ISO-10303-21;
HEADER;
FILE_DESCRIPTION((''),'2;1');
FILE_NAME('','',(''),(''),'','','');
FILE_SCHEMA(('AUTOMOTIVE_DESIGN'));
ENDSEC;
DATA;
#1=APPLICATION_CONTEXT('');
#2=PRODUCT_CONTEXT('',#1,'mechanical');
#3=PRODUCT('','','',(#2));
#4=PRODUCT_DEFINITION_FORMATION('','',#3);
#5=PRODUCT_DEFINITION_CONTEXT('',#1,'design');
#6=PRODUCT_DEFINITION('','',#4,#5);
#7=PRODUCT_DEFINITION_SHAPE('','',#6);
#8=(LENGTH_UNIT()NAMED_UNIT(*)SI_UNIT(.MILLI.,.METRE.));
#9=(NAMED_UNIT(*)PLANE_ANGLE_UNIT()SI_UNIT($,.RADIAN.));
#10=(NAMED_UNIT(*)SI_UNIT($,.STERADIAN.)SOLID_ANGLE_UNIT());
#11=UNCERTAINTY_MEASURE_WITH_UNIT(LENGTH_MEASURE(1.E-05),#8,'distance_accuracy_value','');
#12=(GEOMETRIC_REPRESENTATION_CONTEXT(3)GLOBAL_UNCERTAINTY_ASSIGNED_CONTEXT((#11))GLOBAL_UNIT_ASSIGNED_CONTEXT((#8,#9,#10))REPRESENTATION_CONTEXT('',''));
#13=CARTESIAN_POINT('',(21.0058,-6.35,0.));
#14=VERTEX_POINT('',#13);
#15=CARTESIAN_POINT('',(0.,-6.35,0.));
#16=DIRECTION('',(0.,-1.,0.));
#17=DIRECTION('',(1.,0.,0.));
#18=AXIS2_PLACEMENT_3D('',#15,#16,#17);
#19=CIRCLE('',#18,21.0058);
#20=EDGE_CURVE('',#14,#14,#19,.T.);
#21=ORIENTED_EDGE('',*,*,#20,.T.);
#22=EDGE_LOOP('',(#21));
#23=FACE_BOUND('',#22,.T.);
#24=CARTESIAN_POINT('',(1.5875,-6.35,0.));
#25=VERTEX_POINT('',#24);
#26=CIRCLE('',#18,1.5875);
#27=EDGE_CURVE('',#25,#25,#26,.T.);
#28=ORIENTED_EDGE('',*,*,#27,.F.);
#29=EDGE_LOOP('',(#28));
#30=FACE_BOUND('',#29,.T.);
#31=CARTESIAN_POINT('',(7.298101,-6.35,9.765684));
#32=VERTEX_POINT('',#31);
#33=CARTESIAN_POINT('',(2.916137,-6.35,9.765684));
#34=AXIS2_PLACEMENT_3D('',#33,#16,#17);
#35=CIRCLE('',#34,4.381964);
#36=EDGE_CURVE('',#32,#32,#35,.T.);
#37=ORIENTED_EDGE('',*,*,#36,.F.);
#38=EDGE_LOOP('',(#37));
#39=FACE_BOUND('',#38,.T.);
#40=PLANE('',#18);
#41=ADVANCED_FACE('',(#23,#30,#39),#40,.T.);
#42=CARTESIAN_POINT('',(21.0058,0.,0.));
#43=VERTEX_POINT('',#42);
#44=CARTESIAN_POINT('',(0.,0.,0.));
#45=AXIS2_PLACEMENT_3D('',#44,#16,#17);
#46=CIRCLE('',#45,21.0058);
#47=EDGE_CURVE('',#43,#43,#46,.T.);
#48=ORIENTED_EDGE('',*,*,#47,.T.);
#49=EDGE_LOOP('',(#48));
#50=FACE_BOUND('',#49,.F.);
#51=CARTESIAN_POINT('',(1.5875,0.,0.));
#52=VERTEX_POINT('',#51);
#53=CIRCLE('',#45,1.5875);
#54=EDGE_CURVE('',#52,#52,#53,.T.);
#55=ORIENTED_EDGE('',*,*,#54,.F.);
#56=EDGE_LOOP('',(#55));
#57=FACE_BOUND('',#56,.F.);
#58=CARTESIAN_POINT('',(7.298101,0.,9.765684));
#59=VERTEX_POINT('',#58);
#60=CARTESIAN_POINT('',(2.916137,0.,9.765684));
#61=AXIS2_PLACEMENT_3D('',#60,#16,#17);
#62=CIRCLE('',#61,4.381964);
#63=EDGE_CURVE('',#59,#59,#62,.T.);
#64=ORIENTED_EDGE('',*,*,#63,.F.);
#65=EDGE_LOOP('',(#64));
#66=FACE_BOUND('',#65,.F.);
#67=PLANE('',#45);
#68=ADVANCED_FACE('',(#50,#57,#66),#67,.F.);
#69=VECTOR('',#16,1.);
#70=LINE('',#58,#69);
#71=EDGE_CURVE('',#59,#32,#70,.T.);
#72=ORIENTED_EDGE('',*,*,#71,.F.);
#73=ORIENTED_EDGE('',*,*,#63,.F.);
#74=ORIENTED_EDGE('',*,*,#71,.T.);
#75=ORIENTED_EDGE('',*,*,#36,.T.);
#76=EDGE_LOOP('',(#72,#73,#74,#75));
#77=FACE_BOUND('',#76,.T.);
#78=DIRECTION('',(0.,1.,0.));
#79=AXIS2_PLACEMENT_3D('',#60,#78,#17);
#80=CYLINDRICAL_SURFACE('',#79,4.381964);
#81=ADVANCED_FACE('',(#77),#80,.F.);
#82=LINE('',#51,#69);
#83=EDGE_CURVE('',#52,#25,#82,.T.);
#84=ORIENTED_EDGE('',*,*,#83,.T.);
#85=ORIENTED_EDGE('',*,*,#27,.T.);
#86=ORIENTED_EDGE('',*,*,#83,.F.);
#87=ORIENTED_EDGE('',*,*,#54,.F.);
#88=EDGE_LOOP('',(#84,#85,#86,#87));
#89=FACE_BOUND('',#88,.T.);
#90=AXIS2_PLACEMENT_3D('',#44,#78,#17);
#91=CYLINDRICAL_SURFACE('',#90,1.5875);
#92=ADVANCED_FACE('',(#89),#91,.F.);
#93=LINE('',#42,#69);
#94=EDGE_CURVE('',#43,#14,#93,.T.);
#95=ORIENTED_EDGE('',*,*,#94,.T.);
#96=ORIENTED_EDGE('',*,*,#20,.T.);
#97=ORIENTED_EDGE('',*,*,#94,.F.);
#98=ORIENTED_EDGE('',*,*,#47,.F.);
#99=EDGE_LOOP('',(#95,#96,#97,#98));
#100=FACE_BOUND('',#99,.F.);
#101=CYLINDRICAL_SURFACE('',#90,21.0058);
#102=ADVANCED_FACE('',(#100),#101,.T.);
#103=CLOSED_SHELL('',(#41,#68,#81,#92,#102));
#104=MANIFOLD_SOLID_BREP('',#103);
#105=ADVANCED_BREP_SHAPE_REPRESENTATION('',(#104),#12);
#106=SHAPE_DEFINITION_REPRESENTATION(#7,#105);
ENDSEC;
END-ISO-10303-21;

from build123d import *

# Parameters (mm, degrees)
F0_R     = 21.0058
F0_R_2   = 1.5875
F0_R_3   = 4.381964
F1_DEPTH = 6.35


with BuildPart() as f1:
    # F0 (on Front) → F1 (new body)
    with BuildSketch(Plane.XZ):
        Circle(F0_R)
        Circle(F0_R_2, mode=Mode.SUBTRACT)
        with Locations((2.916137, 9.765684)):
            Circle(F0_R_3, mode=Mode.SUBTRACT)
    extrude(amount=F1_DEPTH)


solid = f1.part
